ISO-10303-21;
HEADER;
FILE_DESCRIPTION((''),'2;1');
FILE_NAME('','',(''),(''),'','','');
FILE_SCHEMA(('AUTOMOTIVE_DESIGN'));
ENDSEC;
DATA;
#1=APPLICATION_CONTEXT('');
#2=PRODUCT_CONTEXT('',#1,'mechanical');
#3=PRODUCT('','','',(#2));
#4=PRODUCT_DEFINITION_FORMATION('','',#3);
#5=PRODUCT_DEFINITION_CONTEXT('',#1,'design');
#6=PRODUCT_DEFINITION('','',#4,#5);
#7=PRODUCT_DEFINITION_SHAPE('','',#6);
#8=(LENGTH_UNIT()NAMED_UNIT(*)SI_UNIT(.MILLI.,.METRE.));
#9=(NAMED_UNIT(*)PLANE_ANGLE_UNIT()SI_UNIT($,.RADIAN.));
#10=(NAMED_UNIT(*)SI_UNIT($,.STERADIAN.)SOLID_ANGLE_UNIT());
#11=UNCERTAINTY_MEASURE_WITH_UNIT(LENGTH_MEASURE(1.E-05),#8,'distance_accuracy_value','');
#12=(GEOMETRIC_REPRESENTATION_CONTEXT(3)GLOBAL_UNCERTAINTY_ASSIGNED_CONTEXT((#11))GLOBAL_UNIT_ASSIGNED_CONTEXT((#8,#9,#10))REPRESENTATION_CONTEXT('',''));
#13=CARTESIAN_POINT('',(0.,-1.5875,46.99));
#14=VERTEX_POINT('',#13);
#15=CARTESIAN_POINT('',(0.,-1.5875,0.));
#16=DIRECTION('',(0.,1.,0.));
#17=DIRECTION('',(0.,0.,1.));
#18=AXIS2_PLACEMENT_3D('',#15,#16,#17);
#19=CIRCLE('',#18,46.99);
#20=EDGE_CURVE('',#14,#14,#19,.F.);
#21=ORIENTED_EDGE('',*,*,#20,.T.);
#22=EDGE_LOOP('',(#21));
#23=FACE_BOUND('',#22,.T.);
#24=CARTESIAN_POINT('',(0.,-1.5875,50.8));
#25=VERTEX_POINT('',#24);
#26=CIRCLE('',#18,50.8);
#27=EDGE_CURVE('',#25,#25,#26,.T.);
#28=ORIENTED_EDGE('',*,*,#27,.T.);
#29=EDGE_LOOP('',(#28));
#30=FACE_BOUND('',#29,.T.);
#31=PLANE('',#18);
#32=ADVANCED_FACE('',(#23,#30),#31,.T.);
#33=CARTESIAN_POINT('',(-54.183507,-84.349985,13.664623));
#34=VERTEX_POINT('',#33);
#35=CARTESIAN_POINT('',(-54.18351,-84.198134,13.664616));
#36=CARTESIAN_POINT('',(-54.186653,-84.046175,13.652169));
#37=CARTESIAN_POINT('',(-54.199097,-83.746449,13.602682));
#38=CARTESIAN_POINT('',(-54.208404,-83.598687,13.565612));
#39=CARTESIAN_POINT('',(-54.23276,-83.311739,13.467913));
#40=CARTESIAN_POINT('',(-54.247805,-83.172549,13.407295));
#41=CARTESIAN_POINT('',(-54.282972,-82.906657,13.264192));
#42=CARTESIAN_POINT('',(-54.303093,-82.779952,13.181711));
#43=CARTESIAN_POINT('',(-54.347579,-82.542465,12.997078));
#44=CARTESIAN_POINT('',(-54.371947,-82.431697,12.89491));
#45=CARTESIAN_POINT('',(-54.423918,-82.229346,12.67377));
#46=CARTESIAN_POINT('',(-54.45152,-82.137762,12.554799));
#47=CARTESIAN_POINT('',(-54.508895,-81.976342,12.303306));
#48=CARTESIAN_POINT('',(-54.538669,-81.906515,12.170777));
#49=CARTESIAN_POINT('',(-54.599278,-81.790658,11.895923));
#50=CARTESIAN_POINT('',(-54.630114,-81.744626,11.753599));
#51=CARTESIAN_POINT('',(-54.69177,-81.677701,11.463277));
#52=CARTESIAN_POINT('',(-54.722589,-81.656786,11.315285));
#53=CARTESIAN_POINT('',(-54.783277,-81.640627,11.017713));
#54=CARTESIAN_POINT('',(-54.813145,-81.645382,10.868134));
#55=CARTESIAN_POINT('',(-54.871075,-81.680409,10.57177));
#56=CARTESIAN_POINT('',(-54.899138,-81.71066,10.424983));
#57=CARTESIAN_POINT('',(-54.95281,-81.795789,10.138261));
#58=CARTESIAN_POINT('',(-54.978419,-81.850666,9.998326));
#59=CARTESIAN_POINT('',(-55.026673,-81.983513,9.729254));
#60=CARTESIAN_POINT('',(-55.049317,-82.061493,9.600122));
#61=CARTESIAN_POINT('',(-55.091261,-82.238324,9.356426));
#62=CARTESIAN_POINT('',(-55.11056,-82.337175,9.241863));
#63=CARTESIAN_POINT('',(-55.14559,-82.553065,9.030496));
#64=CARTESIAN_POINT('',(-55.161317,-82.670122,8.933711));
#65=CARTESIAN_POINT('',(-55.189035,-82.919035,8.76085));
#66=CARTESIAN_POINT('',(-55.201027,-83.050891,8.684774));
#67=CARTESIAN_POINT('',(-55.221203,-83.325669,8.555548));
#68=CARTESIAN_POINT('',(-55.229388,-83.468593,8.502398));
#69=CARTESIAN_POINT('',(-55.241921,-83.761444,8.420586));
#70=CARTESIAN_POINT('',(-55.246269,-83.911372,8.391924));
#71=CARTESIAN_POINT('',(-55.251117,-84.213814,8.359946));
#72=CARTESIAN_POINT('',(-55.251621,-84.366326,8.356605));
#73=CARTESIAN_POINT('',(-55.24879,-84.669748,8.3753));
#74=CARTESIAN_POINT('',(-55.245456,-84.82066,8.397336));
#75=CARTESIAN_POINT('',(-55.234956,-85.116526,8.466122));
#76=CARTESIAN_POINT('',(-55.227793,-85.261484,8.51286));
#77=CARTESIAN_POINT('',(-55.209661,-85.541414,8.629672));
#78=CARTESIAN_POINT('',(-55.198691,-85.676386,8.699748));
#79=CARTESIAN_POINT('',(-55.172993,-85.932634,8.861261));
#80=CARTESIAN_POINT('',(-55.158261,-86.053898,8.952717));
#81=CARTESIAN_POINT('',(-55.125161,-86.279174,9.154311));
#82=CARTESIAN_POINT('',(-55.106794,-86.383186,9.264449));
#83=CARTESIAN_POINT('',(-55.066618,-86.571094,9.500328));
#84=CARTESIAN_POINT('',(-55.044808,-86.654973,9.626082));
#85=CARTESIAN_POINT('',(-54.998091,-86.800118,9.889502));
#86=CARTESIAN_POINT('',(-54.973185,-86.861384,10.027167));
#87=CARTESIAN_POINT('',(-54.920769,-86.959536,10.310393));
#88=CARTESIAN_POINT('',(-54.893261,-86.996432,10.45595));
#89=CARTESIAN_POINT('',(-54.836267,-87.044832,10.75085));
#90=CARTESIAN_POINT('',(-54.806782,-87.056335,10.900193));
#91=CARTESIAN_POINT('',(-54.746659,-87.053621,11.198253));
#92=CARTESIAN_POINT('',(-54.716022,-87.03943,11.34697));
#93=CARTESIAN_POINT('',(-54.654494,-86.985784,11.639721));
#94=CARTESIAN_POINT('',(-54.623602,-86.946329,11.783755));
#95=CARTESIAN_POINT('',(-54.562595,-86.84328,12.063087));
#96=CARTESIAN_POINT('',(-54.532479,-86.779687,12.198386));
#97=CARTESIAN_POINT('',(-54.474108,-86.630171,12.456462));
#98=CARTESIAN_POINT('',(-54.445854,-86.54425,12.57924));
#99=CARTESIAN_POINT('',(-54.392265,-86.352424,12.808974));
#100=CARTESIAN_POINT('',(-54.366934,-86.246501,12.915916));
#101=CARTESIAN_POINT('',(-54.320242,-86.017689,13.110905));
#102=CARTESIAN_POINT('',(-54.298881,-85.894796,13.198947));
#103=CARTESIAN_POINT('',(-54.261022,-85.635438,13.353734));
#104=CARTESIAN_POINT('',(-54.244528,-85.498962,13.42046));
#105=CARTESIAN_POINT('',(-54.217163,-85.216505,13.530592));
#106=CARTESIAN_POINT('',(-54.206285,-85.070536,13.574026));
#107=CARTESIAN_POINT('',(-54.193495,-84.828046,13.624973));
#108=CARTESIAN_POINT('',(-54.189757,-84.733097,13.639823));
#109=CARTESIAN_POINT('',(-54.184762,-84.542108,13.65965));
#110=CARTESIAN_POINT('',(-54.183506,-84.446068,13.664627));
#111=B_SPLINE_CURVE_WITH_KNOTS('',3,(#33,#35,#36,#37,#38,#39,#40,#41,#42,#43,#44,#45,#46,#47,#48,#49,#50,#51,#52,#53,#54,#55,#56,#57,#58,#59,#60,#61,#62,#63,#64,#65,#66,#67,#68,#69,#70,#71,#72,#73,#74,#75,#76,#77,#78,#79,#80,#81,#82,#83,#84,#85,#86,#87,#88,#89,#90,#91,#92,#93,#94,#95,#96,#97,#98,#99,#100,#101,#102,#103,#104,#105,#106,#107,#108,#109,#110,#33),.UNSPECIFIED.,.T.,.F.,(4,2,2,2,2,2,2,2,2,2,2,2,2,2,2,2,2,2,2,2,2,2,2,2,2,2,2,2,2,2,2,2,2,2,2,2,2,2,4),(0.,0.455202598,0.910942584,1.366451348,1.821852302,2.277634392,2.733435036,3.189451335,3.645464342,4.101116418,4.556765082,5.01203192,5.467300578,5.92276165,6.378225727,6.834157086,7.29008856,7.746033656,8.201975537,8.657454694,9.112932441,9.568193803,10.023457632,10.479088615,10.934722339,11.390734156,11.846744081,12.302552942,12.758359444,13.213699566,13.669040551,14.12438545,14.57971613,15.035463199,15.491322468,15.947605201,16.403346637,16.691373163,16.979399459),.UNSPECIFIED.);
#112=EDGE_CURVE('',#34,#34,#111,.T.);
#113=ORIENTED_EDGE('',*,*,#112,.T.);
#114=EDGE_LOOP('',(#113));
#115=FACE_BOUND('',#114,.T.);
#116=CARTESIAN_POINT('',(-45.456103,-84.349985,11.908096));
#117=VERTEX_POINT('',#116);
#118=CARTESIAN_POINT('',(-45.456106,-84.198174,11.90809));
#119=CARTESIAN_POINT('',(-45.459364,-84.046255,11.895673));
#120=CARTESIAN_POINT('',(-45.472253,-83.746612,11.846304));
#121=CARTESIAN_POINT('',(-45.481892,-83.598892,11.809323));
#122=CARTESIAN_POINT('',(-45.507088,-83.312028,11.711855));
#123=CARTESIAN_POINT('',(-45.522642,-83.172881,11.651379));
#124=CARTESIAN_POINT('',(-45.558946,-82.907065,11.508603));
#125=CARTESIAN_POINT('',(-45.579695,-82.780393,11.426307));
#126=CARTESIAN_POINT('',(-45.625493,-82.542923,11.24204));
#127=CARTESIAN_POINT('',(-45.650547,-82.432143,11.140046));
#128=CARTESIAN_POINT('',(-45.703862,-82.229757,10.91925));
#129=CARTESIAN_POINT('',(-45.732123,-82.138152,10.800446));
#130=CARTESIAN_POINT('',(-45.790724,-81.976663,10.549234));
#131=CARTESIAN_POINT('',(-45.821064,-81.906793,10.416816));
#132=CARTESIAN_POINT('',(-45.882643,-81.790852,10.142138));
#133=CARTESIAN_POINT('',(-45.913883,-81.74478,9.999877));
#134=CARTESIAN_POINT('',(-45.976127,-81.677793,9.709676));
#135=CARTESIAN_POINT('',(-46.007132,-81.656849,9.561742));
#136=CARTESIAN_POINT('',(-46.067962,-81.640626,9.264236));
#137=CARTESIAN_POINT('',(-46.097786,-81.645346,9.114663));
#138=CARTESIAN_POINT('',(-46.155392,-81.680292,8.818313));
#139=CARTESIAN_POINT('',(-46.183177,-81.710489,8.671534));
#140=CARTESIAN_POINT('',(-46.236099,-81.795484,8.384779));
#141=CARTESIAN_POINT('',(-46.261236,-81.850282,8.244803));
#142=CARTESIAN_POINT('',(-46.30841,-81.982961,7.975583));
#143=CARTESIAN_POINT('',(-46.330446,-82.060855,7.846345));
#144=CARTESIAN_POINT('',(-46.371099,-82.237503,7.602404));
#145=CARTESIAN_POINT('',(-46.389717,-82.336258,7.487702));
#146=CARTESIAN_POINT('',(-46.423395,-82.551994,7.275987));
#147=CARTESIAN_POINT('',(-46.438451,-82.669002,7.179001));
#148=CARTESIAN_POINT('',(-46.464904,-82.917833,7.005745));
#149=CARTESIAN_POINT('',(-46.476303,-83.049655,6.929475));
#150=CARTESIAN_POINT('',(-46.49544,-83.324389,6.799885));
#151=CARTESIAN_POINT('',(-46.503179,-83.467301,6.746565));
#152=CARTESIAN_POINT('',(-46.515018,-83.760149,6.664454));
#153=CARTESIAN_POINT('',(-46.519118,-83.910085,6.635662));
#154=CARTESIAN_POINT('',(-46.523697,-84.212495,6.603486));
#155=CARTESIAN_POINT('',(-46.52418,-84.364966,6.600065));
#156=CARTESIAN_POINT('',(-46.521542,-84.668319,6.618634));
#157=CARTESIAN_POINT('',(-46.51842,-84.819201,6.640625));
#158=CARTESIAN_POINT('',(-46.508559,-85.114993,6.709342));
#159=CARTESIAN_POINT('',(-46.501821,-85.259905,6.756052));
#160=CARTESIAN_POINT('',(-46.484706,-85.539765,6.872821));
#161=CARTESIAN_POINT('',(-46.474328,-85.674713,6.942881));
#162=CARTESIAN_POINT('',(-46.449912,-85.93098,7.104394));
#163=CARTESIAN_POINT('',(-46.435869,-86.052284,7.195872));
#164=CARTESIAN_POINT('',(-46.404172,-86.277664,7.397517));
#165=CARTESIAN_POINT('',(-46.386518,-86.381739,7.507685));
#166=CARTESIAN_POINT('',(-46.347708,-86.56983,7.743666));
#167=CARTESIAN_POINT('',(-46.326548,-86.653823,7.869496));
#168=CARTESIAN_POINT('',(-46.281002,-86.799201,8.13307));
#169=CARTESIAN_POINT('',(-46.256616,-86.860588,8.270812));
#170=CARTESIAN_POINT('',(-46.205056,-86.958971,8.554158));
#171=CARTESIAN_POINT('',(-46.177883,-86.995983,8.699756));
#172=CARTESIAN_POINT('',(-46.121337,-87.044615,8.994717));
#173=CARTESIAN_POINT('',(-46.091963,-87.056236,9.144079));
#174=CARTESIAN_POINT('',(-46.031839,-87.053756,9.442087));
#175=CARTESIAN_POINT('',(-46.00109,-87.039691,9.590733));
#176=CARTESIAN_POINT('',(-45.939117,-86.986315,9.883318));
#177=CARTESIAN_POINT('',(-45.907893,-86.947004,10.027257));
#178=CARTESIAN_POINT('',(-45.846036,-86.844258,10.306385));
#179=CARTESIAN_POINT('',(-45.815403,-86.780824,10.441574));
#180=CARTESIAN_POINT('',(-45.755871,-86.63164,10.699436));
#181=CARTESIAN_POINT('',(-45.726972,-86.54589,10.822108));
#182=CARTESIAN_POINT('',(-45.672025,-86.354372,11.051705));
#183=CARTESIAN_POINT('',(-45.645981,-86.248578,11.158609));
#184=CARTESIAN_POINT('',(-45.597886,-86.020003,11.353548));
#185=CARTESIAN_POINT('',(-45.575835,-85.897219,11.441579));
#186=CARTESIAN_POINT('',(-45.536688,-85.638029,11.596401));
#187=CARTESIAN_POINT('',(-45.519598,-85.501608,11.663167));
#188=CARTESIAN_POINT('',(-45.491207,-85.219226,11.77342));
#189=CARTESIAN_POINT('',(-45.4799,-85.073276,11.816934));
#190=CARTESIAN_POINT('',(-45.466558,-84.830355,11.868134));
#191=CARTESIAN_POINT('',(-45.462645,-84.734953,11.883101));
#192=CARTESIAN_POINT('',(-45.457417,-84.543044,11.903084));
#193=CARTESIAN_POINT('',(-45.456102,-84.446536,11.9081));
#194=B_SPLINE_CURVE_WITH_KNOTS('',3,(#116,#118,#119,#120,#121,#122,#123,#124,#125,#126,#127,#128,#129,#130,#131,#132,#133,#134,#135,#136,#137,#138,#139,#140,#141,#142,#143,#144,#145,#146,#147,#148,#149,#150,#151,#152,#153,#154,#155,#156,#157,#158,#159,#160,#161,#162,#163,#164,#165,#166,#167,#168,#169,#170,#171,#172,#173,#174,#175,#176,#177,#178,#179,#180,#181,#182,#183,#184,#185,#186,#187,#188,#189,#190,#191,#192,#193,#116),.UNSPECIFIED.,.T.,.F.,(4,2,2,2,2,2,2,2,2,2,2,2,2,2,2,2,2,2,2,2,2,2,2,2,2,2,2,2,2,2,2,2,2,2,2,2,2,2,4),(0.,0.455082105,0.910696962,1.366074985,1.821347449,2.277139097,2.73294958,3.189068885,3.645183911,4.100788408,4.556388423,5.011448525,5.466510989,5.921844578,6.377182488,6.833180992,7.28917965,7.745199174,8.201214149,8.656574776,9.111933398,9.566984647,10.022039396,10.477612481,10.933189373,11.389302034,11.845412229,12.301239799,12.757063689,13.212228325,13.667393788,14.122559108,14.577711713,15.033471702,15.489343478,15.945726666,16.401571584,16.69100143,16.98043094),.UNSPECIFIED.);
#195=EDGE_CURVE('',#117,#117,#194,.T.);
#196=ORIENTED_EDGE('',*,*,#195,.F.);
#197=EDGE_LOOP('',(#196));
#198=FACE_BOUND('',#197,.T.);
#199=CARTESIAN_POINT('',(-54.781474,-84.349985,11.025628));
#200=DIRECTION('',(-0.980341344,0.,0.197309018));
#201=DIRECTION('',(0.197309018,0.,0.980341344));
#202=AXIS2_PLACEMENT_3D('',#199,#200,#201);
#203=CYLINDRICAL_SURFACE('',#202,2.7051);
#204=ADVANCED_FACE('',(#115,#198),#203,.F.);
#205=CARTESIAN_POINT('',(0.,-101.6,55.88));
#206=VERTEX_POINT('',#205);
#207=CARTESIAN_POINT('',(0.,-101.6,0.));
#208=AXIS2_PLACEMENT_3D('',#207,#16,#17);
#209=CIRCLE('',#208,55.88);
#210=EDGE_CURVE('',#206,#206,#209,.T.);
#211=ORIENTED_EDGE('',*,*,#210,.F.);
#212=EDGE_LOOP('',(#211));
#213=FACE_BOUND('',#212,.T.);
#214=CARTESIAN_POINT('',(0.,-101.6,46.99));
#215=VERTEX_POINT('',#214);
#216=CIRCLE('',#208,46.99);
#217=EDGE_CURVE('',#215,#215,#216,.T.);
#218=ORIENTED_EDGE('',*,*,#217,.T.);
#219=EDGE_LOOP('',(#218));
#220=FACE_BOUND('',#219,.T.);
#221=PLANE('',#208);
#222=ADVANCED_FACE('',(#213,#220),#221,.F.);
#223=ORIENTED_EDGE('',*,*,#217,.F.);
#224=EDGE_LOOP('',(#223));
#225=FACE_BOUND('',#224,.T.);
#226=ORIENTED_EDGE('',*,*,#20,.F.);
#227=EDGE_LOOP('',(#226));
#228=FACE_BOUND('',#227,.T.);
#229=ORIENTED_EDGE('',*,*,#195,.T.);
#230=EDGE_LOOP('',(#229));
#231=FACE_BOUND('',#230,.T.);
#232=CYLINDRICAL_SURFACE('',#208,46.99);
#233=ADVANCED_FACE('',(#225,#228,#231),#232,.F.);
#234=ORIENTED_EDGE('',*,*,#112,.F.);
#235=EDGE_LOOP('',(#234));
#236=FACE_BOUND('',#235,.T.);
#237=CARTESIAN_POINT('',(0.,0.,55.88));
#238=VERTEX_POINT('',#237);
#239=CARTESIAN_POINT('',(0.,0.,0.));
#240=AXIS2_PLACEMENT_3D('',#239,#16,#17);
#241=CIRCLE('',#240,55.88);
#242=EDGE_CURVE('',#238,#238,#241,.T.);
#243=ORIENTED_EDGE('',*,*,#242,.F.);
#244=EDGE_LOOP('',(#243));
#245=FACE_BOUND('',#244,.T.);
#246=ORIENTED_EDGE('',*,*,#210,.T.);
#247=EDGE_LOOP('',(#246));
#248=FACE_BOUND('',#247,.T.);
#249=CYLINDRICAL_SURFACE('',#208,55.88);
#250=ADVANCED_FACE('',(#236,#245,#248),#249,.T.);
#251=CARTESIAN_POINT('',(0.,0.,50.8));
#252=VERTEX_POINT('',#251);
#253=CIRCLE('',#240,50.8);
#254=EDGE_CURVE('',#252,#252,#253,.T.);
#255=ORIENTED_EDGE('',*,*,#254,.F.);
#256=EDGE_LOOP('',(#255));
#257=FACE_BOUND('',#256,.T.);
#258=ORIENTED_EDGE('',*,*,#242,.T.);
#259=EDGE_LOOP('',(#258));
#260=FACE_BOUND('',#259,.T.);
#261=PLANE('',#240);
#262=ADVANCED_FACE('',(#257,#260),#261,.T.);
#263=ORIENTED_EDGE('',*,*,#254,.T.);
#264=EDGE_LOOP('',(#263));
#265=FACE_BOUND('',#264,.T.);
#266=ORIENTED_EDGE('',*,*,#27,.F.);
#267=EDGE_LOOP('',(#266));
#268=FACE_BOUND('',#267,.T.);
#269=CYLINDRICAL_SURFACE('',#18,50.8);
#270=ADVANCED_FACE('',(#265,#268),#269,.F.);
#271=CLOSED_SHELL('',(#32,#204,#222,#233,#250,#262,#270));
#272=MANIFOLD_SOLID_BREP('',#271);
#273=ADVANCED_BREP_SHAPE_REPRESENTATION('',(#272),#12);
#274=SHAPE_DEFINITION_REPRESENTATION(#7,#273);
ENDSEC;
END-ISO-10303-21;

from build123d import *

# Parameters (mm, degrees)
SKETCH1_R                    = 55.88
SKETCH1_R_2                  = 46.99
BOSS_EXTRUDE4_DEPTH          = 101.6
SKETCH3_R                    = 50.8
CUT_EXTRUDE3_DEPTH           = 1.5875
F_1_4_28_TAPPED_HOLE1_REACH  = 156.393
F_1_4_28_TAPPED_HOLE1_BORE_R = 2.7051


with BuildPart() as part:
    # Sketch1 → Boss-Extrude4 (new body)
    with BuildSketch(Plane(origin=(0, 0, 0), x_dir=(1, 0, 0), z_dir=(0, 1, 0))):
        with Locations(Location((0, 0, 0), (0, 0, 270))):
            Circle(SKETCH1_R)
        with Locations(Location((0, 0, 0), (0, 0, 270))):
            Circle(SKETCH1_R_2, mode=Mode.SUBTRACT)
    extrude(amount=-BOSS_EXTRUDE4_DEPTH)

    # Sketch3 → Cut-Extrude3 (cut)
    with BuildSketch(Plane(origin=(0, 0, 0), x_dir=(1, 0, 0), z_dir=(0, 1, 0))):
        with Locations(Location((0, 0, 0), (0, 0, 270))):
            Circle(SKETCH3_R)
    extrude(amount=-CUT_EXTRUDE3_DEPTH, mode=Mode.SUBTRACT)

    # 1/4-28 Tapped Hole1 bore (on position points) → 1/4-28 Tapped Hole1 (cut, up to next)
    with BuildSketch(Plane(origin=(-54.781474323, -84.349985228, 11.025627917), x_dir=(-0.197309017847, 0, -0.980341344368), z_dir=(-0.980341344368, 0, 0.197309017847)), mode=Mode.PRIVATE) as f_1_4_28_tapped_hole1_sk1:
        Circle(F_1_4_28_TAPPED_HOLE1_BORE_R)
    f_1_4_28_tapped_hole1_tool1 = extrude(f_1_4_28_tapped_hole1_sk1.sketch, amount=-F_1_4_28_TAPPED_HOLE1_REACH, mode=Mode.PRIVATE) & part.part
    add(f_1_4_28_tapped_hole1_tool1.solids().sort_by_distance((-54.781474, -84.349985, 11.025628))[0], mode=Mode.SUBTRACT)


solid = part.part
